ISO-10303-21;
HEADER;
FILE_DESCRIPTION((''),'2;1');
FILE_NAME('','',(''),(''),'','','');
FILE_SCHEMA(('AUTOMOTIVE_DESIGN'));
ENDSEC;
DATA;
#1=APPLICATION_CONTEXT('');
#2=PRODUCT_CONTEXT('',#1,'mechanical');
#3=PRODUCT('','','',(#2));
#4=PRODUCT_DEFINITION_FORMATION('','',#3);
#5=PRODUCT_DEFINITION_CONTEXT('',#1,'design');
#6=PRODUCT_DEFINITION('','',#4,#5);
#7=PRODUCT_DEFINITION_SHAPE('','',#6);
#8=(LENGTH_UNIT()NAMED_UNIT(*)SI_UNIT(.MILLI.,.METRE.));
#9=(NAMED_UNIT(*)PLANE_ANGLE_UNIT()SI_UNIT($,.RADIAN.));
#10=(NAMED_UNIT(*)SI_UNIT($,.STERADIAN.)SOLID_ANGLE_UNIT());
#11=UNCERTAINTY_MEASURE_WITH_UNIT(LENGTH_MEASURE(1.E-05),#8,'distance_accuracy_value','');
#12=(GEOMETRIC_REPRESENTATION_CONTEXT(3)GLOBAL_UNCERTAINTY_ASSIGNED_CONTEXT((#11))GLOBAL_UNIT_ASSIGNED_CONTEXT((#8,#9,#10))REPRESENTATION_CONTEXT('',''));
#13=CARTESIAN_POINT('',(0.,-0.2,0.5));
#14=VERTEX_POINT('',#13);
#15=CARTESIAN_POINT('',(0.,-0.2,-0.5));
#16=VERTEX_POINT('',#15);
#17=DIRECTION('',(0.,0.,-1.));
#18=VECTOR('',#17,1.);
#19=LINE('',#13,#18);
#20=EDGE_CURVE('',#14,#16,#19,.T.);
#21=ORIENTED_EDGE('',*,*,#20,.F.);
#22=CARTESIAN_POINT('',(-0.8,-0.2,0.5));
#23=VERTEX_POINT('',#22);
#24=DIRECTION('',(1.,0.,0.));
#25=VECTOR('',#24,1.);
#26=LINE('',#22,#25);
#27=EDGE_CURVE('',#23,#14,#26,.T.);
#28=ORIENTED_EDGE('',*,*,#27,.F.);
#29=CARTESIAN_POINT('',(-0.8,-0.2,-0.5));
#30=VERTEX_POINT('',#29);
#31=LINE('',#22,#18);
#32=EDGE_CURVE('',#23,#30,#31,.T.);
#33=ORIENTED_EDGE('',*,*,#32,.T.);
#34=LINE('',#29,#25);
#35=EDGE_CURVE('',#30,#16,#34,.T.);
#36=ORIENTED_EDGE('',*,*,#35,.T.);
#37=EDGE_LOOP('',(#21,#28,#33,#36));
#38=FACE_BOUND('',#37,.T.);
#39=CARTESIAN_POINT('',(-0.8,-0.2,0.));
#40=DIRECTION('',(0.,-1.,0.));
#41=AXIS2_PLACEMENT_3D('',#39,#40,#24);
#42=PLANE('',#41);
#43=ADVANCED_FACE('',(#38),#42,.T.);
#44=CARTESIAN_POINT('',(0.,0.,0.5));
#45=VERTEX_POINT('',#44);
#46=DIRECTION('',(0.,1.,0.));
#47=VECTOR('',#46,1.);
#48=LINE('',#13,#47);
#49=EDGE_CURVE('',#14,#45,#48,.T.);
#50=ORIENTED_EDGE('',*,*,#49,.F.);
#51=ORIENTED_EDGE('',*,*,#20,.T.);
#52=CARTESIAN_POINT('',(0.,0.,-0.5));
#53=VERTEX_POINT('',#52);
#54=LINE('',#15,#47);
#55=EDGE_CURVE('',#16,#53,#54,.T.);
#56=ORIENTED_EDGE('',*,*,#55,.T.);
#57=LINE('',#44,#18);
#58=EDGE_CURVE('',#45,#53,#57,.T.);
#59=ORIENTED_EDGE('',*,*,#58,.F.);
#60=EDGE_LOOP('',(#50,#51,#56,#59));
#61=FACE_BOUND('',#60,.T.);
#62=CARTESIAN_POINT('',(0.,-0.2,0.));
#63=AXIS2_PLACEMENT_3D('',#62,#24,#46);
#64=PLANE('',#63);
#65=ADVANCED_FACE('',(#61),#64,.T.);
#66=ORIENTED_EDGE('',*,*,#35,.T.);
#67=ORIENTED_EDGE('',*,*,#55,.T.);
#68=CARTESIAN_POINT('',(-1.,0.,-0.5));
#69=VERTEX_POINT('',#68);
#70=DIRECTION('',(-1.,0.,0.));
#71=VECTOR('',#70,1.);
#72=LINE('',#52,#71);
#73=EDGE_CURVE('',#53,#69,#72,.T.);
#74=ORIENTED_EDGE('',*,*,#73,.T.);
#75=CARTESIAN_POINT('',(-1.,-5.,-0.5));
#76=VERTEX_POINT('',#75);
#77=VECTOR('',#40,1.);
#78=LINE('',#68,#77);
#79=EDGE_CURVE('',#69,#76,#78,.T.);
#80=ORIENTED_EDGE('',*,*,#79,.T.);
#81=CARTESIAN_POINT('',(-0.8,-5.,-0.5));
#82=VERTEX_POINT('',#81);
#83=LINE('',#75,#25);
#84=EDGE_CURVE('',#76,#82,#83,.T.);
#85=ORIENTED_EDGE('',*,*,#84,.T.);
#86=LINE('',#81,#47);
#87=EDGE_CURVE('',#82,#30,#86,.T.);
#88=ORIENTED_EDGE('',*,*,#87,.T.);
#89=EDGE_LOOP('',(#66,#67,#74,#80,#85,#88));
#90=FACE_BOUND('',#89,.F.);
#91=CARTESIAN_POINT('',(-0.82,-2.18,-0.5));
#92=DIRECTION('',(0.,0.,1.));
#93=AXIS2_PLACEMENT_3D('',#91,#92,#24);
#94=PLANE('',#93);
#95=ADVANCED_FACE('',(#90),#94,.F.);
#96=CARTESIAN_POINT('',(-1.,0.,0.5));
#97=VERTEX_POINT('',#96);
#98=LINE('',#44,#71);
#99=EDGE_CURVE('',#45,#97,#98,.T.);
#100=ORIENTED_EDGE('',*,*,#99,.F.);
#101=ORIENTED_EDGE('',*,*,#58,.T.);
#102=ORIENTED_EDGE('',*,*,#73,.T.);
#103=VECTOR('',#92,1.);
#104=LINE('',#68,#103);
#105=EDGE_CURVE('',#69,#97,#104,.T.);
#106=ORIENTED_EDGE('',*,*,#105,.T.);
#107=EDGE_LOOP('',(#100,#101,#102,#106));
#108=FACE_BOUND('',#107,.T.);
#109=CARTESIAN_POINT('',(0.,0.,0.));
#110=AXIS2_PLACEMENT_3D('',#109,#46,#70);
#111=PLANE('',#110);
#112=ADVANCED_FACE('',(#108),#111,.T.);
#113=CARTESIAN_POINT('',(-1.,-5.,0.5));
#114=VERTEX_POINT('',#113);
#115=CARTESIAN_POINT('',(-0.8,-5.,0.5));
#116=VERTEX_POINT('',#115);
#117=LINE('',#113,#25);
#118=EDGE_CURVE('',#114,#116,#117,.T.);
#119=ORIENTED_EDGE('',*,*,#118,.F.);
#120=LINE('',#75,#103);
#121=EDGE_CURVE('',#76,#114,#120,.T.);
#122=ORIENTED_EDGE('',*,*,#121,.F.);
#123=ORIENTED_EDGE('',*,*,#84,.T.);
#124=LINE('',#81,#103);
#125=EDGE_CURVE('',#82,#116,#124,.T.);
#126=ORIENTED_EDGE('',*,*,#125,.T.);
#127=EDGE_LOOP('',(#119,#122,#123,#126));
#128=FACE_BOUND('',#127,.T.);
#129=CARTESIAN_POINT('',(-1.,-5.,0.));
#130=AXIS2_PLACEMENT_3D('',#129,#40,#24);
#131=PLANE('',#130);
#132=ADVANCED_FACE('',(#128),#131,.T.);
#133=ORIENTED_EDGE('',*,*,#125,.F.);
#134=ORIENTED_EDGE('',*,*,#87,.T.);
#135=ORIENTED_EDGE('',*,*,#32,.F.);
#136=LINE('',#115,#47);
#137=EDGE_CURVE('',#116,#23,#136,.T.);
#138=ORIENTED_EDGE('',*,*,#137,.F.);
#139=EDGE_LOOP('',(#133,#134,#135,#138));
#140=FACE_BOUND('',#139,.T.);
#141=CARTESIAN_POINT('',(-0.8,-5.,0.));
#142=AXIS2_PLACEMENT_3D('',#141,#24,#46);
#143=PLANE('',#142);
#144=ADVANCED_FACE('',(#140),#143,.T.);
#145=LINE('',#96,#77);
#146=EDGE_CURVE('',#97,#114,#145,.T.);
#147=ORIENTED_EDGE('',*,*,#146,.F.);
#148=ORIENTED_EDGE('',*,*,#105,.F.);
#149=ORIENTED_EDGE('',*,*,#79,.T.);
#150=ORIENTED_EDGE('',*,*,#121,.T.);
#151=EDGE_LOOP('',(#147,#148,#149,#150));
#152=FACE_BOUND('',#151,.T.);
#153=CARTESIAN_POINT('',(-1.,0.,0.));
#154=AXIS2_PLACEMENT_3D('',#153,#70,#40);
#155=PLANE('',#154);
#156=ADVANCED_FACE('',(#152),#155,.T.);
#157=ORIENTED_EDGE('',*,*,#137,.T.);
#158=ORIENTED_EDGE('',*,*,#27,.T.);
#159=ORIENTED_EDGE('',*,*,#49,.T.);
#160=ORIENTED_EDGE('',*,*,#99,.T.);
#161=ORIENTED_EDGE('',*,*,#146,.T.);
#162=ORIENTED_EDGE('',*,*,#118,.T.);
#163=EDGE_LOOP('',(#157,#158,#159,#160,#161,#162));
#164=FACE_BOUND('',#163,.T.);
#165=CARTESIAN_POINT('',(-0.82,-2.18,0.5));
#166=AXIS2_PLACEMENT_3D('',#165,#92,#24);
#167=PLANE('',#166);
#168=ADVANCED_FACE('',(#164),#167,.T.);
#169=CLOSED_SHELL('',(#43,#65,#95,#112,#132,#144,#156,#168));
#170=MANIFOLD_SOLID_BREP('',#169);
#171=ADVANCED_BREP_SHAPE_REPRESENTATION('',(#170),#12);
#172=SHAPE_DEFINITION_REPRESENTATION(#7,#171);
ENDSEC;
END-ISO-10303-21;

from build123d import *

# Parameters (mm, degrees)
BOSS_EXTRUDE1_DEPTH = 0.5


with BuildPart() as part:
    # Sketch1 → Boss-Extrude1 (new body, symmetric)
    with BuildSketch(Plane.XY):
        Polygon((0, 0), (-1, 0), (-1, -5), (-0.8, -5), (-0.8, -0.2), (0, -0.2), align=None)
    extrude(amount=BOSS_EXTRUDE1_DEPTH, both=True)


solid = part.part
